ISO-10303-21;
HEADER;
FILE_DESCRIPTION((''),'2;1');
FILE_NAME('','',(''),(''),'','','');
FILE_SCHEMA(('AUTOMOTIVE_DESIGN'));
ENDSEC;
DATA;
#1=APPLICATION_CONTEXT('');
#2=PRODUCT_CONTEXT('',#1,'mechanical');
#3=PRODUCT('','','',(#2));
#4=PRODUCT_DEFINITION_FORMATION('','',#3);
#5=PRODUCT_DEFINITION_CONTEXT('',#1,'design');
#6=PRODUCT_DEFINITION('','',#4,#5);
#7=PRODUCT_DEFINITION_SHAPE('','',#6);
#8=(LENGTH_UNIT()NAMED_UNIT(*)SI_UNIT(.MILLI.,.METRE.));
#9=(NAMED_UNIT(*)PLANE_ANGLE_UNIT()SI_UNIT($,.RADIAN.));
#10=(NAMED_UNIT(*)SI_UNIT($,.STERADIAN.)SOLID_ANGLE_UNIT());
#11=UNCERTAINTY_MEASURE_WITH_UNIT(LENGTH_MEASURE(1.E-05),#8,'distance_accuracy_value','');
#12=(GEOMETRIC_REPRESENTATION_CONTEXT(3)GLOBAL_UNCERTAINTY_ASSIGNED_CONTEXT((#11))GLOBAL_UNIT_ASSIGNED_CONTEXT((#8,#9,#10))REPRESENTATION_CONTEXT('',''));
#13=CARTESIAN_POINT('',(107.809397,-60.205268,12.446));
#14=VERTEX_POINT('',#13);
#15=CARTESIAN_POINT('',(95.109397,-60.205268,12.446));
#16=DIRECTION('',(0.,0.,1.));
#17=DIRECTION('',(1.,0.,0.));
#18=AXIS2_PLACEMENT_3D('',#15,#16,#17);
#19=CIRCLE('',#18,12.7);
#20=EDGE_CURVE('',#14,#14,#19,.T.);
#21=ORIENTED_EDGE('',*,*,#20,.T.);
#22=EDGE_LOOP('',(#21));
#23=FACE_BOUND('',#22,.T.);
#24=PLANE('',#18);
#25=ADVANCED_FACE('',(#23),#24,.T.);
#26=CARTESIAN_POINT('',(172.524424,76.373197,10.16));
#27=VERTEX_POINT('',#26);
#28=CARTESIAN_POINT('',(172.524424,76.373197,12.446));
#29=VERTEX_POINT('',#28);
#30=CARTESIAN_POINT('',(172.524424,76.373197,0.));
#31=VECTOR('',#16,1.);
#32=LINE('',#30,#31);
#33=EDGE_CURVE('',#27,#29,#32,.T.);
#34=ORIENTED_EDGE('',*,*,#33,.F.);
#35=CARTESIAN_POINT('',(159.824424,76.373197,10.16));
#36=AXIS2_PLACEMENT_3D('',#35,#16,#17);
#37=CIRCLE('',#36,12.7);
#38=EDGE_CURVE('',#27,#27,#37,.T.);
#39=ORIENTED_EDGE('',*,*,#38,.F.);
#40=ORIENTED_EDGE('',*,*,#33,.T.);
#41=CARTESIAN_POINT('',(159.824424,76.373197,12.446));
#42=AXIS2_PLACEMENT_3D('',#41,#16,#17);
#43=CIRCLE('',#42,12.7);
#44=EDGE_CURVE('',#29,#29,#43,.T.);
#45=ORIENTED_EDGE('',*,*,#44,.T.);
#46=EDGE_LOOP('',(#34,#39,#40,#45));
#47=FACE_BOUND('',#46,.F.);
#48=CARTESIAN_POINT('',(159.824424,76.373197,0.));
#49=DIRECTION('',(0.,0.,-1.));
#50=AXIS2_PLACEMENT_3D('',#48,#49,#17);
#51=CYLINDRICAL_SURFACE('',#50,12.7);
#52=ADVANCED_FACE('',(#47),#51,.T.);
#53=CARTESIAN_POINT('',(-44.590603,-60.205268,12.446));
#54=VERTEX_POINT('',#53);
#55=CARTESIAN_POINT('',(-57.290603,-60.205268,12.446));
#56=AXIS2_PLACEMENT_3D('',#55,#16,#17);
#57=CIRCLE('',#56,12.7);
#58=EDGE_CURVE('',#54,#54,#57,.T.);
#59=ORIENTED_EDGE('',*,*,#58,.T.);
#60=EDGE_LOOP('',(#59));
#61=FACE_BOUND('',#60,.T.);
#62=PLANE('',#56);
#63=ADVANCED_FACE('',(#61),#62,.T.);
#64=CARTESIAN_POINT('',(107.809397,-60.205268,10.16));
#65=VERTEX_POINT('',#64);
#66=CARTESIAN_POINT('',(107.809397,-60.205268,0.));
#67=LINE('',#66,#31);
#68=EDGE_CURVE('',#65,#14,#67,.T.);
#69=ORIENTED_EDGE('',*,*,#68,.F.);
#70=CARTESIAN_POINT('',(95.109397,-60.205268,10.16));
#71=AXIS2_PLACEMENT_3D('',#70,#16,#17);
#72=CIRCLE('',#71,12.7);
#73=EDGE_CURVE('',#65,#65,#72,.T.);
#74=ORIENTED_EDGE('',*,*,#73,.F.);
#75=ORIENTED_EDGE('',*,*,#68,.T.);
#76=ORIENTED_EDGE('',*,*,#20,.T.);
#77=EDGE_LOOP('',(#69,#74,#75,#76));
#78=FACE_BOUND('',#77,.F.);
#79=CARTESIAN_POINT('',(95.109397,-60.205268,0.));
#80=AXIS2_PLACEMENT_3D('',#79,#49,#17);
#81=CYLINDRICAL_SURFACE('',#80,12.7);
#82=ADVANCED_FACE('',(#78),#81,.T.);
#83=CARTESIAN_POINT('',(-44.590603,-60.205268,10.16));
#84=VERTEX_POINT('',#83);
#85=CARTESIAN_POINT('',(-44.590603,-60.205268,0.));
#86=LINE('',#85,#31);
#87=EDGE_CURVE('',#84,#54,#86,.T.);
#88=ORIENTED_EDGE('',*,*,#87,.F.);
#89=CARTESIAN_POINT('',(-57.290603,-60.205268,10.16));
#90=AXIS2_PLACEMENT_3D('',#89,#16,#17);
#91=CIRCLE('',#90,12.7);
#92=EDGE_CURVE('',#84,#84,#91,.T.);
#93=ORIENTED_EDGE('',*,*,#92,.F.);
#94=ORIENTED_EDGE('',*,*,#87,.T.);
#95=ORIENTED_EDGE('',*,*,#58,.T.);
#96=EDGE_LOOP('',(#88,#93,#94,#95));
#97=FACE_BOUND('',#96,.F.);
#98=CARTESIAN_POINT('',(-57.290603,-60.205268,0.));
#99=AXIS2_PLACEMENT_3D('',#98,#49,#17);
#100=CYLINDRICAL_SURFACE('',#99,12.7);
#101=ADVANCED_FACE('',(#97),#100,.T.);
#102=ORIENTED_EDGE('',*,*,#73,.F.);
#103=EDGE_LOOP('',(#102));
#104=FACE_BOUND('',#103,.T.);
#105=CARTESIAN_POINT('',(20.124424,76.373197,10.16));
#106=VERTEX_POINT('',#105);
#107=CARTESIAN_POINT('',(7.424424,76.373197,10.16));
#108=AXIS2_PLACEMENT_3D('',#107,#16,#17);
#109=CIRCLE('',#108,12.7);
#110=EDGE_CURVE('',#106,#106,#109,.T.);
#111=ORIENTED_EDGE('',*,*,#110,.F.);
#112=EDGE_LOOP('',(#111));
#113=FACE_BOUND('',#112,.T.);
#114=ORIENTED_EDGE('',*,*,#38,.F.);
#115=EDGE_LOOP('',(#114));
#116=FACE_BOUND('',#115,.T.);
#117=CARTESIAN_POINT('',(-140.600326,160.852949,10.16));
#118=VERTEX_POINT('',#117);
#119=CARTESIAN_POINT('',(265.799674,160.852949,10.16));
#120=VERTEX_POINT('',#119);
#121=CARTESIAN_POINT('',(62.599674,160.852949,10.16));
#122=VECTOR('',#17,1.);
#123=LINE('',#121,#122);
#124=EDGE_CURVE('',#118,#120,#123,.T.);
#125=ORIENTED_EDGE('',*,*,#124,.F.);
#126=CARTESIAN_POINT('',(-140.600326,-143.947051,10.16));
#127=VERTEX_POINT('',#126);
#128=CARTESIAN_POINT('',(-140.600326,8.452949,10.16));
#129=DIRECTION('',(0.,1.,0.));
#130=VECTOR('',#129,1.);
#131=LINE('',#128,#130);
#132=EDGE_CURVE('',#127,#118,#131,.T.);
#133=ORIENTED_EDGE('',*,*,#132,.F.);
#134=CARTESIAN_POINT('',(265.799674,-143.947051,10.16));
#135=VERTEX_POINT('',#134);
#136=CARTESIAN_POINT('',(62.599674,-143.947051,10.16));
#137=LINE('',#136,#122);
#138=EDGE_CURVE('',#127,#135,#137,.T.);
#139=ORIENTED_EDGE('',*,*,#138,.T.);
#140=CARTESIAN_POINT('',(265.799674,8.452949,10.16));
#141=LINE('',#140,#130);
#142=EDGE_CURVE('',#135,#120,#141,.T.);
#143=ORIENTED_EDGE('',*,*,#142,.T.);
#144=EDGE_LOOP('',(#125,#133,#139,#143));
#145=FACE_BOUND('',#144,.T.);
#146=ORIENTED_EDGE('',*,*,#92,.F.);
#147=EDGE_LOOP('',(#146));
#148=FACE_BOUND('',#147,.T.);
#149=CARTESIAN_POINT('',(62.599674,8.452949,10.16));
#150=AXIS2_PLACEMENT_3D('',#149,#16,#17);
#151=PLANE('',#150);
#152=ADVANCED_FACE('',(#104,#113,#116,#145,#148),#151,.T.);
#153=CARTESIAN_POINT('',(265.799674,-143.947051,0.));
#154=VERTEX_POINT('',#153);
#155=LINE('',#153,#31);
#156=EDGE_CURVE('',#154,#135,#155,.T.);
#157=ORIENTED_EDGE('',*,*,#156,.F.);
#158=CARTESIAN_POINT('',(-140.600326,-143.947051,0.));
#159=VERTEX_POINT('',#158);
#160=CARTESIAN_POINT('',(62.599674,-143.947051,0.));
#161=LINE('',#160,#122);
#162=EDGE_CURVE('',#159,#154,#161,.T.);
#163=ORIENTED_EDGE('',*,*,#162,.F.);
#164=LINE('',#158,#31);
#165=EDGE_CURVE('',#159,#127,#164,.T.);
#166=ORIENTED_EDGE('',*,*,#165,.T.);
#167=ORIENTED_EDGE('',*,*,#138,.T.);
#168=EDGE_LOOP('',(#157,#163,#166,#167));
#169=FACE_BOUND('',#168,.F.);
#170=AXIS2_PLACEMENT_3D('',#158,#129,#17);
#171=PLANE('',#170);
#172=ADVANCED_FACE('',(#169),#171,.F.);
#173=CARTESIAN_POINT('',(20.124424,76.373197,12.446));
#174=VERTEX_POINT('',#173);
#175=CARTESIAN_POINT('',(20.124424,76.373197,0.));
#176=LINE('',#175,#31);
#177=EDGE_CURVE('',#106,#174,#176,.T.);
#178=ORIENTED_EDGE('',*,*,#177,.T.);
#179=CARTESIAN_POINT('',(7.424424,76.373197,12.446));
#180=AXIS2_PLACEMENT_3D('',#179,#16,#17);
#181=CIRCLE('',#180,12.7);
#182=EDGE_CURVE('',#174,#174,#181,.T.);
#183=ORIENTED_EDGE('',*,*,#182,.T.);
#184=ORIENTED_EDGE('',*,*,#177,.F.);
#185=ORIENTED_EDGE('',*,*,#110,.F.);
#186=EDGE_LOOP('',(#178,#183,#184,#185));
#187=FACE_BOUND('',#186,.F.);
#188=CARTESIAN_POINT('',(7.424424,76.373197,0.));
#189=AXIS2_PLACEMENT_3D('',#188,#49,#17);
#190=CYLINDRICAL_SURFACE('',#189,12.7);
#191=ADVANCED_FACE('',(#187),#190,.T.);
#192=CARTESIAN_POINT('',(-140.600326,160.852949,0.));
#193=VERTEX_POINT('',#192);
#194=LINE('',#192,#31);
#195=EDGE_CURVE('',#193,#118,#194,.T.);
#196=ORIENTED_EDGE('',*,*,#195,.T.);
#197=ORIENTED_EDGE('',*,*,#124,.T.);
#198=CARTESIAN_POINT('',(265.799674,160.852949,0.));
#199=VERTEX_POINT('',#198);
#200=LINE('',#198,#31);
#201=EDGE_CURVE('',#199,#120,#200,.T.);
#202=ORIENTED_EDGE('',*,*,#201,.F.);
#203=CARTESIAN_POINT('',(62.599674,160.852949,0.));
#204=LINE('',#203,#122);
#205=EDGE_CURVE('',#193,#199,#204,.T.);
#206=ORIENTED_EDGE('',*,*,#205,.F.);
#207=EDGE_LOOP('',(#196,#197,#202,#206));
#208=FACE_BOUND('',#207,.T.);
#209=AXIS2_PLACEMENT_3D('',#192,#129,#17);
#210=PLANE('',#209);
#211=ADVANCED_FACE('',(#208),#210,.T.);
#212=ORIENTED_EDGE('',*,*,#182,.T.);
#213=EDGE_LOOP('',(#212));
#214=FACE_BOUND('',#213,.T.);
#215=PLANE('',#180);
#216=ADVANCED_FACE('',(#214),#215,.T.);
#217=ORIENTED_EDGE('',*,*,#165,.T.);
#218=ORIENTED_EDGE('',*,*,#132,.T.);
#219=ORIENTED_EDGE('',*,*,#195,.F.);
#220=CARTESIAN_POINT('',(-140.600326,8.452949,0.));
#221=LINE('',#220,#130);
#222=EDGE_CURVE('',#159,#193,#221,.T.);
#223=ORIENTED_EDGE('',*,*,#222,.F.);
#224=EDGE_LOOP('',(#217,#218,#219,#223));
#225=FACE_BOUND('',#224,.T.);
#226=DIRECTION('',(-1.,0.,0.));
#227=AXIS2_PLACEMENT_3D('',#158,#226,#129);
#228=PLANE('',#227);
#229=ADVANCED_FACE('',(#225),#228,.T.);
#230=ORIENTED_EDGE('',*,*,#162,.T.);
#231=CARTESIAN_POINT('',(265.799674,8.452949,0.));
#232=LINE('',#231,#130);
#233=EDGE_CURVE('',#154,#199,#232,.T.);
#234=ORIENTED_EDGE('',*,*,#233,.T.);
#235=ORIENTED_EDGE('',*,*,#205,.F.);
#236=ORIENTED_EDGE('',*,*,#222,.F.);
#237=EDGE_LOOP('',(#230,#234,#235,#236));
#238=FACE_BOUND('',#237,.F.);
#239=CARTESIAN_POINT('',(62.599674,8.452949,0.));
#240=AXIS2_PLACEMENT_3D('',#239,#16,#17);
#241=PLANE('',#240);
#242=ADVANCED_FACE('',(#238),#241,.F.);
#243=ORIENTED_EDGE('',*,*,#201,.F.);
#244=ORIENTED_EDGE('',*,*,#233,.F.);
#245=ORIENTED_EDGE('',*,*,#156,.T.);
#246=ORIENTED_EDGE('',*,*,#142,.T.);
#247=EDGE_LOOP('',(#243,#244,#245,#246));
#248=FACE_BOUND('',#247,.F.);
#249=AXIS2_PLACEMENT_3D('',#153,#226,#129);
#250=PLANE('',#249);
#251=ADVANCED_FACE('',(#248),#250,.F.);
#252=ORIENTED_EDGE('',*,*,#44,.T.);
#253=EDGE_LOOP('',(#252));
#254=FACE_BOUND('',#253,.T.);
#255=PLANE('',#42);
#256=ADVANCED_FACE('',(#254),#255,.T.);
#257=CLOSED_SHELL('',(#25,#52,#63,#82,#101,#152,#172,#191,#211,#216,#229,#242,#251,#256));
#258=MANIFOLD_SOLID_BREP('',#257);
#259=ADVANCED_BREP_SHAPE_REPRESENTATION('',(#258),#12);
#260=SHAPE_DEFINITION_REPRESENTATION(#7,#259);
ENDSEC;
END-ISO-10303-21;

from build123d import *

# Parameters (mm, degrees)
F0_R     = 12.7
F1_DEPTH = 12.446
F0_W     = 406.4
F0_H     = 304.8
F2_DEPTH = 10.16


with BuildPart() as f1:
    # F0 (on Top) → F1 (new body)
    with BuildSketch(Plane.XY):
        with Locations((7.4244239368, 76.3731971383)):
            Circle(F0_R)
    extrude(amount=F1_DEPTH)



with BuildPart() as f1b:
    # F0 (on Top) → F1, piece 2 (new body)
    with BuildSketch(Plane.XY):
        with Locations((159.8244239368, 76.3731971383)):
            Circle(F0_R)
    extrude(amount=F1_DEPTH)


with BuildPart() as f1c:
    # F0 (on Top) → F1, piece 3 (new body)
    with BuildSketch(Plane.XY):
        with Locations((-57.2906026376, -60.2052676494)):
            Circle(F0_R)
    extrude(amount=F1_DEPTH)


with BuildPart() as f1d:
    # F0 (on Top) → F1, piece 4 (new body)
    with BuildSketch(Plane.XY):
        with Locations((95.1093973624, -60.2052676494)):
            Circle(F0_R)
    extrude(amount=F1_DEPTH)


with BuildPart() as f1_1:
    add(f1.part)

    add(f1b.part)  # F2 merges F1b

    add(f1c.part)  # F2 merges F1c

    add(f1d.part)  # F2 merges F1d
    # F0 (on Top) → F2 (join)
    with BuildSketch(Plane.XY):
        with Locations((62.5996744812, 8.4529491862)):
            Rectangle(F0_W, F0_H)
        with Locations((-57.2906026376, -60.2052676494)):
            Circle(F0_R, mode=Mode.SUBTRACT)
        with Locations((95.1093973624, -60.2052676494)):
            Circle(F0_R, mode=Mode.SUBTRACT)
        with Locations((7.4244239368, 76.3731971383)):
            Circle(F0_R, mode=Mode.SUBTRACT)
        with Locations((159.8244239368, 76.3731971383)):
            Circle(F0_R, mode=Mode.SUBTRACT)
    extrude(amount=F2_DEPTH)


solid = f1_1.part
